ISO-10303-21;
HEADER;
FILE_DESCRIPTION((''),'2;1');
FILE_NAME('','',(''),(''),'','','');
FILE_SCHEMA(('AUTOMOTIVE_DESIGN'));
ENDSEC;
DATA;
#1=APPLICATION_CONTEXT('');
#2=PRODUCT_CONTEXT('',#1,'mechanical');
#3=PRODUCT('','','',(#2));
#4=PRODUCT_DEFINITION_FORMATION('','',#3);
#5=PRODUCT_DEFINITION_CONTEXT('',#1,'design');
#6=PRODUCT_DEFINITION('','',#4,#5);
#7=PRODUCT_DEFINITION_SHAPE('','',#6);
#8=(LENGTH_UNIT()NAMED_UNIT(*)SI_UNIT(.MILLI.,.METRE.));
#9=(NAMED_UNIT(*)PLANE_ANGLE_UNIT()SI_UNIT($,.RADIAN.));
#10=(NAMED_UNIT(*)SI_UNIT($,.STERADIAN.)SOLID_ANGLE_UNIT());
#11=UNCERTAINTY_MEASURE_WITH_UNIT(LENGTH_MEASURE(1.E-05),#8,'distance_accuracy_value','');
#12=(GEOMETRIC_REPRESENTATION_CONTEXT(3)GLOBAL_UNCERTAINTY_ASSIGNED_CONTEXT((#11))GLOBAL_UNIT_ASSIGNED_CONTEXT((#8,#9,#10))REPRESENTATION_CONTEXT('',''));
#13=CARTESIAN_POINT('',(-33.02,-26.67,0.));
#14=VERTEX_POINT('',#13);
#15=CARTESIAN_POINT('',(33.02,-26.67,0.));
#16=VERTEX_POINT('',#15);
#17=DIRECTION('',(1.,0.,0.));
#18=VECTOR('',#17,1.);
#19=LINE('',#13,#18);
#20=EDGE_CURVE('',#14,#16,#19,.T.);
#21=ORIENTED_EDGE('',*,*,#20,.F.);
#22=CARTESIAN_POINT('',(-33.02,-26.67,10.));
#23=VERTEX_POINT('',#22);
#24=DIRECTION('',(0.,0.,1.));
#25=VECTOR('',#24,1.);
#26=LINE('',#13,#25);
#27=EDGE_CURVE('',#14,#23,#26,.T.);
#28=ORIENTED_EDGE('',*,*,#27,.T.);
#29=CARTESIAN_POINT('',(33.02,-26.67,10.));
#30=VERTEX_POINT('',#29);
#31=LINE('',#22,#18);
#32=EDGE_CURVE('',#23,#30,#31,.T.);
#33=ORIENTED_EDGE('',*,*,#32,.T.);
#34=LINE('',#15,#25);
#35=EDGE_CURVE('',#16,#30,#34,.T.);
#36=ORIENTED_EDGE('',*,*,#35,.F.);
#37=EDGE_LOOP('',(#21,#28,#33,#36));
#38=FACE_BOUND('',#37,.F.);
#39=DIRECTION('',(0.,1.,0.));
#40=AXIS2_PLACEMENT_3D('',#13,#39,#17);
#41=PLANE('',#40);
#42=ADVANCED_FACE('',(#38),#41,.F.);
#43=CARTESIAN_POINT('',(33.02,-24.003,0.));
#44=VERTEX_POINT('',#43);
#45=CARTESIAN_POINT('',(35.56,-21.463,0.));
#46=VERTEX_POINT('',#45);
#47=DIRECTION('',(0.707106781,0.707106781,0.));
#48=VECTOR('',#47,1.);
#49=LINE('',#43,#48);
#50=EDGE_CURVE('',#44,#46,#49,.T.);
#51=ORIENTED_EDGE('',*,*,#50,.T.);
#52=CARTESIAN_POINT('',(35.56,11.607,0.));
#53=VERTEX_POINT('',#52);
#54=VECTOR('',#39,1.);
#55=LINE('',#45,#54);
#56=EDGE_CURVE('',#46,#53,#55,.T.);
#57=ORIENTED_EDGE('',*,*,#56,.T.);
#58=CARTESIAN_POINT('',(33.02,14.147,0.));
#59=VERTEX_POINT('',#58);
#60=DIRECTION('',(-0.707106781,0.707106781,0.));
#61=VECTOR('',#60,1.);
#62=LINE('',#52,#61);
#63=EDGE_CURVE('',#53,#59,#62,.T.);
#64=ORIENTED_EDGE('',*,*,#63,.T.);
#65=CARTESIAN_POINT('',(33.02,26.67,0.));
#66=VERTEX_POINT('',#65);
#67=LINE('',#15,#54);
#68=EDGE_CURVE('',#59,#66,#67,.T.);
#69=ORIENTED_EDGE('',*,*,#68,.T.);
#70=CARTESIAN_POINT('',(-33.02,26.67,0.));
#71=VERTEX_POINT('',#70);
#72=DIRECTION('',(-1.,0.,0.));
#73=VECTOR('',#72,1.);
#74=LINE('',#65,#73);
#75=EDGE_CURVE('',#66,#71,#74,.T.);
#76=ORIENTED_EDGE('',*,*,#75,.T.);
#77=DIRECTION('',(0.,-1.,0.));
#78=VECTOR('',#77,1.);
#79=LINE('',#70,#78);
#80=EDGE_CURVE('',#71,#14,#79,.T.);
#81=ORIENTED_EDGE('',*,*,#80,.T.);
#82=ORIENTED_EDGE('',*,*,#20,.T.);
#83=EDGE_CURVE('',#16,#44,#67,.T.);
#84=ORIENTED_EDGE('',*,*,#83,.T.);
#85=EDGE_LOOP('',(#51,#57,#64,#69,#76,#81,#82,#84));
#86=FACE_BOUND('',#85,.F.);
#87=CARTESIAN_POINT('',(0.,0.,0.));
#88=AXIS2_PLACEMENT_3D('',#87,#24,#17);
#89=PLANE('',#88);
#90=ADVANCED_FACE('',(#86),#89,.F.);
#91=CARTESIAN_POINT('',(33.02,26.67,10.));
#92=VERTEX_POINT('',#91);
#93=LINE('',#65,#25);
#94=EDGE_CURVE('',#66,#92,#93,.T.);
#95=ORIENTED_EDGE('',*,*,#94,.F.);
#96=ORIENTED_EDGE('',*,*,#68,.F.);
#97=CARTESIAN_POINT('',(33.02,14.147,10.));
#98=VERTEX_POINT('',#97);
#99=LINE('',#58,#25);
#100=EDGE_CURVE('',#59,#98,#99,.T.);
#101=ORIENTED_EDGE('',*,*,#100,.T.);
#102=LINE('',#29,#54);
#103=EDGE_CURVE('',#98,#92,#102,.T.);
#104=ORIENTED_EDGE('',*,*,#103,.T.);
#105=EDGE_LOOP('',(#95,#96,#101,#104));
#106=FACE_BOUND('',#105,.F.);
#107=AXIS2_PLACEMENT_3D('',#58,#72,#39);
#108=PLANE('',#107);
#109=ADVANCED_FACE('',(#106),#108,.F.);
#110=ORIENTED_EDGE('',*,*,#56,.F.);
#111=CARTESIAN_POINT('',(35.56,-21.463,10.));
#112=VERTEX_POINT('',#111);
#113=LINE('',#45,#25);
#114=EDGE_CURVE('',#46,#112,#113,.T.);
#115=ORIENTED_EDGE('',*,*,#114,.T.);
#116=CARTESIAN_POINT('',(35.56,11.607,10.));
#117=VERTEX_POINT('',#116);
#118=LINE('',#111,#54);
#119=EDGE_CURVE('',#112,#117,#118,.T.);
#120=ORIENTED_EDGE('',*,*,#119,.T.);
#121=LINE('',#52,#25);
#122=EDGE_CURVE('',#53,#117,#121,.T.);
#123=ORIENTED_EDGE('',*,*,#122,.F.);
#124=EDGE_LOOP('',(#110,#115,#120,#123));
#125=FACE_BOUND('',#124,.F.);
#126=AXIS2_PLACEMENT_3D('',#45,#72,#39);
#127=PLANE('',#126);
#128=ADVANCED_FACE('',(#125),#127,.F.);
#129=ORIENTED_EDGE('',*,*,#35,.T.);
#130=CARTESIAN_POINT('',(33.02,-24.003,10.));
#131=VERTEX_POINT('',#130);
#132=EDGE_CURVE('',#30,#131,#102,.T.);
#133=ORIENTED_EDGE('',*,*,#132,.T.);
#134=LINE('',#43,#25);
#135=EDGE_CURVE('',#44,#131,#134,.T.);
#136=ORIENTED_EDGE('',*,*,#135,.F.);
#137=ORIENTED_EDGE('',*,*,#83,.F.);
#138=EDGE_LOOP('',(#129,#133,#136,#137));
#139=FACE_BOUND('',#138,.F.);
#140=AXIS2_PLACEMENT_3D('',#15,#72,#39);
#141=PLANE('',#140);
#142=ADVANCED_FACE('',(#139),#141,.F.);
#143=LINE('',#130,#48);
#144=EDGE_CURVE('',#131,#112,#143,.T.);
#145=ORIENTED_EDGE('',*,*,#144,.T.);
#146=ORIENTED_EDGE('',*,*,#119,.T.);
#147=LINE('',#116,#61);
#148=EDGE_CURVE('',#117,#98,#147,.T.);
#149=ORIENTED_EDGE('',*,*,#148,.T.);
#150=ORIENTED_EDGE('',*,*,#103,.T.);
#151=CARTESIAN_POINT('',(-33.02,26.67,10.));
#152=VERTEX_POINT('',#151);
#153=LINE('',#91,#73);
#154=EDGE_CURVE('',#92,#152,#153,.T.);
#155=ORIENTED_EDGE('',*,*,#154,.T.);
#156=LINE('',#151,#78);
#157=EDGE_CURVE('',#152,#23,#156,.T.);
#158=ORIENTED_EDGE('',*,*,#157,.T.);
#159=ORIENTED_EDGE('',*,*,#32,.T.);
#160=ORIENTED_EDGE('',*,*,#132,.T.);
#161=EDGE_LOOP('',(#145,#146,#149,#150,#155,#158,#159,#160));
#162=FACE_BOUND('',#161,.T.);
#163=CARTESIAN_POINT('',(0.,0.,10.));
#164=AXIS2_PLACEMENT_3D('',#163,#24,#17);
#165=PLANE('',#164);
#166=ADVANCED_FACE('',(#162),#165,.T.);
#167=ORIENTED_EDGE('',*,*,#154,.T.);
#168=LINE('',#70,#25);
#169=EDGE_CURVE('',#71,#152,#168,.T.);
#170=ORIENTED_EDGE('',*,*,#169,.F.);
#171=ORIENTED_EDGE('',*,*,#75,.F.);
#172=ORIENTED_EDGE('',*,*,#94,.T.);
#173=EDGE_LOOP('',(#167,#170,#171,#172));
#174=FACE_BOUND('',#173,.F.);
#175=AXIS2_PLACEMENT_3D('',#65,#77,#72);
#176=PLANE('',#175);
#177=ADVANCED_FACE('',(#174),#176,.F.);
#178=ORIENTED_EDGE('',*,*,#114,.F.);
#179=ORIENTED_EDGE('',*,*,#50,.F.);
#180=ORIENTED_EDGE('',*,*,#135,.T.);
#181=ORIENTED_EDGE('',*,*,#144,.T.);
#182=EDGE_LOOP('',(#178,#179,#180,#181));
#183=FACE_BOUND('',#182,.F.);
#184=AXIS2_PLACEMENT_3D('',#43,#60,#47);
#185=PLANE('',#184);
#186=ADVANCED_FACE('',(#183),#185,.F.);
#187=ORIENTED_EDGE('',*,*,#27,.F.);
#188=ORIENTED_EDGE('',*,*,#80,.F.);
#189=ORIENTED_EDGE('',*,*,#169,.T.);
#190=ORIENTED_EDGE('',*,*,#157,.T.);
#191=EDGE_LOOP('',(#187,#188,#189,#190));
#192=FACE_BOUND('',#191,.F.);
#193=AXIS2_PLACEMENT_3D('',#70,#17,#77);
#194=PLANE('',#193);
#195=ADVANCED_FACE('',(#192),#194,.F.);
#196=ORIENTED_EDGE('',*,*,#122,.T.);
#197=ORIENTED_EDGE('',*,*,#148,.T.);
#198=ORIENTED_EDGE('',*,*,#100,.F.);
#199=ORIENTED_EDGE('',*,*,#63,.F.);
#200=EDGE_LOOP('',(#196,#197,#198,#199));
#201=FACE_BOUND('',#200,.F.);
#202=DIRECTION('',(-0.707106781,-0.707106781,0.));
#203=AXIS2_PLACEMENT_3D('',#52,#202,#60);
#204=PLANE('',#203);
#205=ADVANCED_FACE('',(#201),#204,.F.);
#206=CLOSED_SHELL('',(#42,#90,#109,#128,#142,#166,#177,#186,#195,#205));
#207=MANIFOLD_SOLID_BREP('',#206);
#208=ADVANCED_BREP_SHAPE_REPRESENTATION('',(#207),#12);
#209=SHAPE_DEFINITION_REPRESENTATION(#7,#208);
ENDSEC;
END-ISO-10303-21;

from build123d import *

# Parameters (mm, degrees)
F1_DEPTH = 10


with BuildPart() as f1:
    # F0 (on Top) → F1 (new body)
    with BuildSketch(Plane.XY):
        Polygon((33.02, 26.67), (-33.02, 26.67), (-33.02, -26.67), (33.02, -26.67), (33.02, -24.003), (33.02, 14.147), align=None)
        Polygon((35.56, 11.607), (33.02, 14.147), (33.02, -24.003), (35.56, -21.463), align=None)
    extrude(amount=F1_DEPTH)


solid = f1.part
